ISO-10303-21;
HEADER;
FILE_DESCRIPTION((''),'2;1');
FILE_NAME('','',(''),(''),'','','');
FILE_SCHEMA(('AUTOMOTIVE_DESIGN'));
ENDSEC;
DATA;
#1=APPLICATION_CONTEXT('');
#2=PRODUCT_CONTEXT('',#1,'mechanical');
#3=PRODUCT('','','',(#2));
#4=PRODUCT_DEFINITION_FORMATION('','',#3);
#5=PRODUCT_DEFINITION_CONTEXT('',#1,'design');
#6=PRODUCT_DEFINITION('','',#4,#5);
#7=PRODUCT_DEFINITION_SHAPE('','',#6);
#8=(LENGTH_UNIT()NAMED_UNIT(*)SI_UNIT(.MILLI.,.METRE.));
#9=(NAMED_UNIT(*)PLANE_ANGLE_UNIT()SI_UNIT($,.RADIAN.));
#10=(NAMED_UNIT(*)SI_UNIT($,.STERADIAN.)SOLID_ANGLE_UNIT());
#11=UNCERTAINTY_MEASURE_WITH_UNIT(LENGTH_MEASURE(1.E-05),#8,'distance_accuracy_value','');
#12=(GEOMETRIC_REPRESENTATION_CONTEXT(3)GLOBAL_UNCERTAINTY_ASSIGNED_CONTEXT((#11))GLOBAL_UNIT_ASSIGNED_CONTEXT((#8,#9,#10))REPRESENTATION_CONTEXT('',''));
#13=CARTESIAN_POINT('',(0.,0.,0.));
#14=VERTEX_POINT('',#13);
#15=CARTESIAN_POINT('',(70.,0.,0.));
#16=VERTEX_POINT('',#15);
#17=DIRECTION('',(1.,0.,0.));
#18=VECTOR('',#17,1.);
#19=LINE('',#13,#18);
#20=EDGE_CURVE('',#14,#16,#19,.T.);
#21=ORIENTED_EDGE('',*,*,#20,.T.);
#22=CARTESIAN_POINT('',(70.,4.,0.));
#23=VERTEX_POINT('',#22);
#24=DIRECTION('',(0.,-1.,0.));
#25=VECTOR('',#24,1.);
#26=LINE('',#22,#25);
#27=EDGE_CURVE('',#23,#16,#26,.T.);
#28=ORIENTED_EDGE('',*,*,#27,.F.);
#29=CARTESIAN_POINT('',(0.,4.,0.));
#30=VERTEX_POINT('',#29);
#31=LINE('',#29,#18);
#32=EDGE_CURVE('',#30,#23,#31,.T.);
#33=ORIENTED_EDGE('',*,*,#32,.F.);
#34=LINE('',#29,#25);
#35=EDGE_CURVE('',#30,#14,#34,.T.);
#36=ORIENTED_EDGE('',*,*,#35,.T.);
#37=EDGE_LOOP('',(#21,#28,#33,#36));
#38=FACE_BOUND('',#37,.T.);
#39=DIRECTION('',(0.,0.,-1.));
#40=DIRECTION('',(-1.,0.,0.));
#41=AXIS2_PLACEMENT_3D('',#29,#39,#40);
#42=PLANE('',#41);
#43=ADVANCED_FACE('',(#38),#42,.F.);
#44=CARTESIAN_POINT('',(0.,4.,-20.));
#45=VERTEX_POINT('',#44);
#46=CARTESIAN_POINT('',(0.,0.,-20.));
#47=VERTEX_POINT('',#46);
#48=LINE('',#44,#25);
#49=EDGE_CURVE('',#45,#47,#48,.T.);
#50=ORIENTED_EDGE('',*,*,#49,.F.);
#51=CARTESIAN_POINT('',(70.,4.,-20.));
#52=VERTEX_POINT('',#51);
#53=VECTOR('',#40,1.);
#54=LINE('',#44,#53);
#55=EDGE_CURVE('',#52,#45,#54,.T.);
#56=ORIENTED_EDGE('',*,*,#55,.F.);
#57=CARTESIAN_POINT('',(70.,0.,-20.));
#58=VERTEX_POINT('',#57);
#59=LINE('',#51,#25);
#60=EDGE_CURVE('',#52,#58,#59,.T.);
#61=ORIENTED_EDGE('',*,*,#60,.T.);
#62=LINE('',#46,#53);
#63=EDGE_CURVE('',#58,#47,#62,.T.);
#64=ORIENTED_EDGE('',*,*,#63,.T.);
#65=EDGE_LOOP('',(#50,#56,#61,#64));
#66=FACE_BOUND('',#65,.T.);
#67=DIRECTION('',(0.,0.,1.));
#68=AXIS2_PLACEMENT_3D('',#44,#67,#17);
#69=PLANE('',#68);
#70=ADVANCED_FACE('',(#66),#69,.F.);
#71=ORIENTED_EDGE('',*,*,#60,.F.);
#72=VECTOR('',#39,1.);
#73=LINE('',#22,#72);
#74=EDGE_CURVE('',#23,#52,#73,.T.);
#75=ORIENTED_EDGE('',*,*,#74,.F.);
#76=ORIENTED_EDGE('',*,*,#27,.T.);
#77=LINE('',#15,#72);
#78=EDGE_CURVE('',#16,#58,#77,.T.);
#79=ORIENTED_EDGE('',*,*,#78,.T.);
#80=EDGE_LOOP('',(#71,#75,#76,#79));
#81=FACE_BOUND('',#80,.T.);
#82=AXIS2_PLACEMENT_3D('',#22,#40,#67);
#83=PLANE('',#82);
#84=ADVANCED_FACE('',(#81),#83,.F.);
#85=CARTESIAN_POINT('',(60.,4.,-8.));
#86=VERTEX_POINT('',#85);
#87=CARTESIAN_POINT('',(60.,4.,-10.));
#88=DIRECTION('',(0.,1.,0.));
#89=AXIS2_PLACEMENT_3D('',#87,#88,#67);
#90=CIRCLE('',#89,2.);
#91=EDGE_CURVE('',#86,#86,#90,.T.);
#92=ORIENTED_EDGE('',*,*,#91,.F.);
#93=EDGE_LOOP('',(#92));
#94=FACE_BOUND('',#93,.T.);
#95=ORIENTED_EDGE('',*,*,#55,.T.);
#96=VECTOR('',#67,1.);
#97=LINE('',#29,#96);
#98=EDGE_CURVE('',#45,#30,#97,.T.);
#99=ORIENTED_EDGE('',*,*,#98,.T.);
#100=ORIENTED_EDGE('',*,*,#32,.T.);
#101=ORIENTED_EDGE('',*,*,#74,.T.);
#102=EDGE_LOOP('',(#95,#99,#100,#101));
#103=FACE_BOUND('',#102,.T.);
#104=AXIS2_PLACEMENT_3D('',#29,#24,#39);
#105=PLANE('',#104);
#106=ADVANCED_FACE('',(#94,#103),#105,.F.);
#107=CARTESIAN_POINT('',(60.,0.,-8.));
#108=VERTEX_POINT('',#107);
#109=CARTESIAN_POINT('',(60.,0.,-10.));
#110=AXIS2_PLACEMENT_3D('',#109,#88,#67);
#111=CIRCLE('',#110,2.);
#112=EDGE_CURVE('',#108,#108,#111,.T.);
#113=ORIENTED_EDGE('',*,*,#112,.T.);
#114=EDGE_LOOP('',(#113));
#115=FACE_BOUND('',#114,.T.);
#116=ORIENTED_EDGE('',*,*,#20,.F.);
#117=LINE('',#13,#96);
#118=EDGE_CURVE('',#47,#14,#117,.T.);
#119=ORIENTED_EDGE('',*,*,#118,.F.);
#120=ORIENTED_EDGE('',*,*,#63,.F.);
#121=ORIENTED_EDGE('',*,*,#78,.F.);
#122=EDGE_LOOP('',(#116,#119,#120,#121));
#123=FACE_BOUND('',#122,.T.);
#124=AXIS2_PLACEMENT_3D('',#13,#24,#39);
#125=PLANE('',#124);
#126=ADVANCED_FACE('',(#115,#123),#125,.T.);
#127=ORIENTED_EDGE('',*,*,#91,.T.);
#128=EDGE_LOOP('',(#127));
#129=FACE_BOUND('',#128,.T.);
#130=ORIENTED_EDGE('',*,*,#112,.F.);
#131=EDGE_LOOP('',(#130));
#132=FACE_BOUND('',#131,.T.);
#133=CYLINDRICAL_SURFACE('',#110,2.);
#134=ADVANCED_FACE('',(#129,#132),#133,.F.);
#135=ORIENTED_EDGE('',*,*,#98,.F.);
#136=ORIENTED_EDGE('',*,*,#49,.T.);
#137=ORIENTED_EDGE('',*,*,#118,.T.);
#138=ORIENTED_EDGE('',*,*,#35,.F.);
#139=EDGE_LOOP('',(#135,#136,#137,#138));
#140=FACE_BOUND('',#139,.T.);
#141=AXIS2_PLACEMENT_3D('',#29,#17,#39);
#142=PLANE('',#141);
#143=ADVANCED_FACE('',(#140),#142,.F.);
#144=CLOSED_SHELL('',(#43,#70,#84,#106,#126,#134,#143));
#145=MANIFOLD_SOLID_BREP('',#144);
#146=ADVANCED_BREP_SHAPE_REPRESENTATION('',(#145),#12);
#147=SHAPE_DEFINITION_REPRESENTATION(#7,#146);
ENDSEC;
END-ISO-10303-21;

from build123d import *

# Parameters (mm, degrees)
SKETCH1_W           = 70
SKETCH1_H           = 20
BOSS_EXTRUDE1_DEPTH = 4
SKETCH2_R           = 2
CUT_EXTRUDE1_DEPTH  = 4


with BuildPart() as part:
    # Sketch1 → Boss-Extrude1 (new body)
    with BuildSketch(Plane(origin=(0, 0, 0), x_dir=(1, 0, 0), z_dir=(0, 1, 0))):
        with Locations((35, 10)):
            Rectangle(SKETCH1_W, SKETCH1_H)
    extrude(amount=BOSS_EXTRUDE1_DEPTH)

    # Sketch2 → Cut-Extrude1 (cut)
    with BuildSketch(Plane(origin=(0, 4, 0), x_dir=(1, 0, 0), z_dir=(0, 1, 0))):
        with Locations(Location((60, 10, 0), (0, 0, 270))):
            Circle(SKETCH2_R)
    extrude(amount=-CUT_EXTRUDE1_DEPTH, mode=Mode.SUBTRACT)


solid = part.part
